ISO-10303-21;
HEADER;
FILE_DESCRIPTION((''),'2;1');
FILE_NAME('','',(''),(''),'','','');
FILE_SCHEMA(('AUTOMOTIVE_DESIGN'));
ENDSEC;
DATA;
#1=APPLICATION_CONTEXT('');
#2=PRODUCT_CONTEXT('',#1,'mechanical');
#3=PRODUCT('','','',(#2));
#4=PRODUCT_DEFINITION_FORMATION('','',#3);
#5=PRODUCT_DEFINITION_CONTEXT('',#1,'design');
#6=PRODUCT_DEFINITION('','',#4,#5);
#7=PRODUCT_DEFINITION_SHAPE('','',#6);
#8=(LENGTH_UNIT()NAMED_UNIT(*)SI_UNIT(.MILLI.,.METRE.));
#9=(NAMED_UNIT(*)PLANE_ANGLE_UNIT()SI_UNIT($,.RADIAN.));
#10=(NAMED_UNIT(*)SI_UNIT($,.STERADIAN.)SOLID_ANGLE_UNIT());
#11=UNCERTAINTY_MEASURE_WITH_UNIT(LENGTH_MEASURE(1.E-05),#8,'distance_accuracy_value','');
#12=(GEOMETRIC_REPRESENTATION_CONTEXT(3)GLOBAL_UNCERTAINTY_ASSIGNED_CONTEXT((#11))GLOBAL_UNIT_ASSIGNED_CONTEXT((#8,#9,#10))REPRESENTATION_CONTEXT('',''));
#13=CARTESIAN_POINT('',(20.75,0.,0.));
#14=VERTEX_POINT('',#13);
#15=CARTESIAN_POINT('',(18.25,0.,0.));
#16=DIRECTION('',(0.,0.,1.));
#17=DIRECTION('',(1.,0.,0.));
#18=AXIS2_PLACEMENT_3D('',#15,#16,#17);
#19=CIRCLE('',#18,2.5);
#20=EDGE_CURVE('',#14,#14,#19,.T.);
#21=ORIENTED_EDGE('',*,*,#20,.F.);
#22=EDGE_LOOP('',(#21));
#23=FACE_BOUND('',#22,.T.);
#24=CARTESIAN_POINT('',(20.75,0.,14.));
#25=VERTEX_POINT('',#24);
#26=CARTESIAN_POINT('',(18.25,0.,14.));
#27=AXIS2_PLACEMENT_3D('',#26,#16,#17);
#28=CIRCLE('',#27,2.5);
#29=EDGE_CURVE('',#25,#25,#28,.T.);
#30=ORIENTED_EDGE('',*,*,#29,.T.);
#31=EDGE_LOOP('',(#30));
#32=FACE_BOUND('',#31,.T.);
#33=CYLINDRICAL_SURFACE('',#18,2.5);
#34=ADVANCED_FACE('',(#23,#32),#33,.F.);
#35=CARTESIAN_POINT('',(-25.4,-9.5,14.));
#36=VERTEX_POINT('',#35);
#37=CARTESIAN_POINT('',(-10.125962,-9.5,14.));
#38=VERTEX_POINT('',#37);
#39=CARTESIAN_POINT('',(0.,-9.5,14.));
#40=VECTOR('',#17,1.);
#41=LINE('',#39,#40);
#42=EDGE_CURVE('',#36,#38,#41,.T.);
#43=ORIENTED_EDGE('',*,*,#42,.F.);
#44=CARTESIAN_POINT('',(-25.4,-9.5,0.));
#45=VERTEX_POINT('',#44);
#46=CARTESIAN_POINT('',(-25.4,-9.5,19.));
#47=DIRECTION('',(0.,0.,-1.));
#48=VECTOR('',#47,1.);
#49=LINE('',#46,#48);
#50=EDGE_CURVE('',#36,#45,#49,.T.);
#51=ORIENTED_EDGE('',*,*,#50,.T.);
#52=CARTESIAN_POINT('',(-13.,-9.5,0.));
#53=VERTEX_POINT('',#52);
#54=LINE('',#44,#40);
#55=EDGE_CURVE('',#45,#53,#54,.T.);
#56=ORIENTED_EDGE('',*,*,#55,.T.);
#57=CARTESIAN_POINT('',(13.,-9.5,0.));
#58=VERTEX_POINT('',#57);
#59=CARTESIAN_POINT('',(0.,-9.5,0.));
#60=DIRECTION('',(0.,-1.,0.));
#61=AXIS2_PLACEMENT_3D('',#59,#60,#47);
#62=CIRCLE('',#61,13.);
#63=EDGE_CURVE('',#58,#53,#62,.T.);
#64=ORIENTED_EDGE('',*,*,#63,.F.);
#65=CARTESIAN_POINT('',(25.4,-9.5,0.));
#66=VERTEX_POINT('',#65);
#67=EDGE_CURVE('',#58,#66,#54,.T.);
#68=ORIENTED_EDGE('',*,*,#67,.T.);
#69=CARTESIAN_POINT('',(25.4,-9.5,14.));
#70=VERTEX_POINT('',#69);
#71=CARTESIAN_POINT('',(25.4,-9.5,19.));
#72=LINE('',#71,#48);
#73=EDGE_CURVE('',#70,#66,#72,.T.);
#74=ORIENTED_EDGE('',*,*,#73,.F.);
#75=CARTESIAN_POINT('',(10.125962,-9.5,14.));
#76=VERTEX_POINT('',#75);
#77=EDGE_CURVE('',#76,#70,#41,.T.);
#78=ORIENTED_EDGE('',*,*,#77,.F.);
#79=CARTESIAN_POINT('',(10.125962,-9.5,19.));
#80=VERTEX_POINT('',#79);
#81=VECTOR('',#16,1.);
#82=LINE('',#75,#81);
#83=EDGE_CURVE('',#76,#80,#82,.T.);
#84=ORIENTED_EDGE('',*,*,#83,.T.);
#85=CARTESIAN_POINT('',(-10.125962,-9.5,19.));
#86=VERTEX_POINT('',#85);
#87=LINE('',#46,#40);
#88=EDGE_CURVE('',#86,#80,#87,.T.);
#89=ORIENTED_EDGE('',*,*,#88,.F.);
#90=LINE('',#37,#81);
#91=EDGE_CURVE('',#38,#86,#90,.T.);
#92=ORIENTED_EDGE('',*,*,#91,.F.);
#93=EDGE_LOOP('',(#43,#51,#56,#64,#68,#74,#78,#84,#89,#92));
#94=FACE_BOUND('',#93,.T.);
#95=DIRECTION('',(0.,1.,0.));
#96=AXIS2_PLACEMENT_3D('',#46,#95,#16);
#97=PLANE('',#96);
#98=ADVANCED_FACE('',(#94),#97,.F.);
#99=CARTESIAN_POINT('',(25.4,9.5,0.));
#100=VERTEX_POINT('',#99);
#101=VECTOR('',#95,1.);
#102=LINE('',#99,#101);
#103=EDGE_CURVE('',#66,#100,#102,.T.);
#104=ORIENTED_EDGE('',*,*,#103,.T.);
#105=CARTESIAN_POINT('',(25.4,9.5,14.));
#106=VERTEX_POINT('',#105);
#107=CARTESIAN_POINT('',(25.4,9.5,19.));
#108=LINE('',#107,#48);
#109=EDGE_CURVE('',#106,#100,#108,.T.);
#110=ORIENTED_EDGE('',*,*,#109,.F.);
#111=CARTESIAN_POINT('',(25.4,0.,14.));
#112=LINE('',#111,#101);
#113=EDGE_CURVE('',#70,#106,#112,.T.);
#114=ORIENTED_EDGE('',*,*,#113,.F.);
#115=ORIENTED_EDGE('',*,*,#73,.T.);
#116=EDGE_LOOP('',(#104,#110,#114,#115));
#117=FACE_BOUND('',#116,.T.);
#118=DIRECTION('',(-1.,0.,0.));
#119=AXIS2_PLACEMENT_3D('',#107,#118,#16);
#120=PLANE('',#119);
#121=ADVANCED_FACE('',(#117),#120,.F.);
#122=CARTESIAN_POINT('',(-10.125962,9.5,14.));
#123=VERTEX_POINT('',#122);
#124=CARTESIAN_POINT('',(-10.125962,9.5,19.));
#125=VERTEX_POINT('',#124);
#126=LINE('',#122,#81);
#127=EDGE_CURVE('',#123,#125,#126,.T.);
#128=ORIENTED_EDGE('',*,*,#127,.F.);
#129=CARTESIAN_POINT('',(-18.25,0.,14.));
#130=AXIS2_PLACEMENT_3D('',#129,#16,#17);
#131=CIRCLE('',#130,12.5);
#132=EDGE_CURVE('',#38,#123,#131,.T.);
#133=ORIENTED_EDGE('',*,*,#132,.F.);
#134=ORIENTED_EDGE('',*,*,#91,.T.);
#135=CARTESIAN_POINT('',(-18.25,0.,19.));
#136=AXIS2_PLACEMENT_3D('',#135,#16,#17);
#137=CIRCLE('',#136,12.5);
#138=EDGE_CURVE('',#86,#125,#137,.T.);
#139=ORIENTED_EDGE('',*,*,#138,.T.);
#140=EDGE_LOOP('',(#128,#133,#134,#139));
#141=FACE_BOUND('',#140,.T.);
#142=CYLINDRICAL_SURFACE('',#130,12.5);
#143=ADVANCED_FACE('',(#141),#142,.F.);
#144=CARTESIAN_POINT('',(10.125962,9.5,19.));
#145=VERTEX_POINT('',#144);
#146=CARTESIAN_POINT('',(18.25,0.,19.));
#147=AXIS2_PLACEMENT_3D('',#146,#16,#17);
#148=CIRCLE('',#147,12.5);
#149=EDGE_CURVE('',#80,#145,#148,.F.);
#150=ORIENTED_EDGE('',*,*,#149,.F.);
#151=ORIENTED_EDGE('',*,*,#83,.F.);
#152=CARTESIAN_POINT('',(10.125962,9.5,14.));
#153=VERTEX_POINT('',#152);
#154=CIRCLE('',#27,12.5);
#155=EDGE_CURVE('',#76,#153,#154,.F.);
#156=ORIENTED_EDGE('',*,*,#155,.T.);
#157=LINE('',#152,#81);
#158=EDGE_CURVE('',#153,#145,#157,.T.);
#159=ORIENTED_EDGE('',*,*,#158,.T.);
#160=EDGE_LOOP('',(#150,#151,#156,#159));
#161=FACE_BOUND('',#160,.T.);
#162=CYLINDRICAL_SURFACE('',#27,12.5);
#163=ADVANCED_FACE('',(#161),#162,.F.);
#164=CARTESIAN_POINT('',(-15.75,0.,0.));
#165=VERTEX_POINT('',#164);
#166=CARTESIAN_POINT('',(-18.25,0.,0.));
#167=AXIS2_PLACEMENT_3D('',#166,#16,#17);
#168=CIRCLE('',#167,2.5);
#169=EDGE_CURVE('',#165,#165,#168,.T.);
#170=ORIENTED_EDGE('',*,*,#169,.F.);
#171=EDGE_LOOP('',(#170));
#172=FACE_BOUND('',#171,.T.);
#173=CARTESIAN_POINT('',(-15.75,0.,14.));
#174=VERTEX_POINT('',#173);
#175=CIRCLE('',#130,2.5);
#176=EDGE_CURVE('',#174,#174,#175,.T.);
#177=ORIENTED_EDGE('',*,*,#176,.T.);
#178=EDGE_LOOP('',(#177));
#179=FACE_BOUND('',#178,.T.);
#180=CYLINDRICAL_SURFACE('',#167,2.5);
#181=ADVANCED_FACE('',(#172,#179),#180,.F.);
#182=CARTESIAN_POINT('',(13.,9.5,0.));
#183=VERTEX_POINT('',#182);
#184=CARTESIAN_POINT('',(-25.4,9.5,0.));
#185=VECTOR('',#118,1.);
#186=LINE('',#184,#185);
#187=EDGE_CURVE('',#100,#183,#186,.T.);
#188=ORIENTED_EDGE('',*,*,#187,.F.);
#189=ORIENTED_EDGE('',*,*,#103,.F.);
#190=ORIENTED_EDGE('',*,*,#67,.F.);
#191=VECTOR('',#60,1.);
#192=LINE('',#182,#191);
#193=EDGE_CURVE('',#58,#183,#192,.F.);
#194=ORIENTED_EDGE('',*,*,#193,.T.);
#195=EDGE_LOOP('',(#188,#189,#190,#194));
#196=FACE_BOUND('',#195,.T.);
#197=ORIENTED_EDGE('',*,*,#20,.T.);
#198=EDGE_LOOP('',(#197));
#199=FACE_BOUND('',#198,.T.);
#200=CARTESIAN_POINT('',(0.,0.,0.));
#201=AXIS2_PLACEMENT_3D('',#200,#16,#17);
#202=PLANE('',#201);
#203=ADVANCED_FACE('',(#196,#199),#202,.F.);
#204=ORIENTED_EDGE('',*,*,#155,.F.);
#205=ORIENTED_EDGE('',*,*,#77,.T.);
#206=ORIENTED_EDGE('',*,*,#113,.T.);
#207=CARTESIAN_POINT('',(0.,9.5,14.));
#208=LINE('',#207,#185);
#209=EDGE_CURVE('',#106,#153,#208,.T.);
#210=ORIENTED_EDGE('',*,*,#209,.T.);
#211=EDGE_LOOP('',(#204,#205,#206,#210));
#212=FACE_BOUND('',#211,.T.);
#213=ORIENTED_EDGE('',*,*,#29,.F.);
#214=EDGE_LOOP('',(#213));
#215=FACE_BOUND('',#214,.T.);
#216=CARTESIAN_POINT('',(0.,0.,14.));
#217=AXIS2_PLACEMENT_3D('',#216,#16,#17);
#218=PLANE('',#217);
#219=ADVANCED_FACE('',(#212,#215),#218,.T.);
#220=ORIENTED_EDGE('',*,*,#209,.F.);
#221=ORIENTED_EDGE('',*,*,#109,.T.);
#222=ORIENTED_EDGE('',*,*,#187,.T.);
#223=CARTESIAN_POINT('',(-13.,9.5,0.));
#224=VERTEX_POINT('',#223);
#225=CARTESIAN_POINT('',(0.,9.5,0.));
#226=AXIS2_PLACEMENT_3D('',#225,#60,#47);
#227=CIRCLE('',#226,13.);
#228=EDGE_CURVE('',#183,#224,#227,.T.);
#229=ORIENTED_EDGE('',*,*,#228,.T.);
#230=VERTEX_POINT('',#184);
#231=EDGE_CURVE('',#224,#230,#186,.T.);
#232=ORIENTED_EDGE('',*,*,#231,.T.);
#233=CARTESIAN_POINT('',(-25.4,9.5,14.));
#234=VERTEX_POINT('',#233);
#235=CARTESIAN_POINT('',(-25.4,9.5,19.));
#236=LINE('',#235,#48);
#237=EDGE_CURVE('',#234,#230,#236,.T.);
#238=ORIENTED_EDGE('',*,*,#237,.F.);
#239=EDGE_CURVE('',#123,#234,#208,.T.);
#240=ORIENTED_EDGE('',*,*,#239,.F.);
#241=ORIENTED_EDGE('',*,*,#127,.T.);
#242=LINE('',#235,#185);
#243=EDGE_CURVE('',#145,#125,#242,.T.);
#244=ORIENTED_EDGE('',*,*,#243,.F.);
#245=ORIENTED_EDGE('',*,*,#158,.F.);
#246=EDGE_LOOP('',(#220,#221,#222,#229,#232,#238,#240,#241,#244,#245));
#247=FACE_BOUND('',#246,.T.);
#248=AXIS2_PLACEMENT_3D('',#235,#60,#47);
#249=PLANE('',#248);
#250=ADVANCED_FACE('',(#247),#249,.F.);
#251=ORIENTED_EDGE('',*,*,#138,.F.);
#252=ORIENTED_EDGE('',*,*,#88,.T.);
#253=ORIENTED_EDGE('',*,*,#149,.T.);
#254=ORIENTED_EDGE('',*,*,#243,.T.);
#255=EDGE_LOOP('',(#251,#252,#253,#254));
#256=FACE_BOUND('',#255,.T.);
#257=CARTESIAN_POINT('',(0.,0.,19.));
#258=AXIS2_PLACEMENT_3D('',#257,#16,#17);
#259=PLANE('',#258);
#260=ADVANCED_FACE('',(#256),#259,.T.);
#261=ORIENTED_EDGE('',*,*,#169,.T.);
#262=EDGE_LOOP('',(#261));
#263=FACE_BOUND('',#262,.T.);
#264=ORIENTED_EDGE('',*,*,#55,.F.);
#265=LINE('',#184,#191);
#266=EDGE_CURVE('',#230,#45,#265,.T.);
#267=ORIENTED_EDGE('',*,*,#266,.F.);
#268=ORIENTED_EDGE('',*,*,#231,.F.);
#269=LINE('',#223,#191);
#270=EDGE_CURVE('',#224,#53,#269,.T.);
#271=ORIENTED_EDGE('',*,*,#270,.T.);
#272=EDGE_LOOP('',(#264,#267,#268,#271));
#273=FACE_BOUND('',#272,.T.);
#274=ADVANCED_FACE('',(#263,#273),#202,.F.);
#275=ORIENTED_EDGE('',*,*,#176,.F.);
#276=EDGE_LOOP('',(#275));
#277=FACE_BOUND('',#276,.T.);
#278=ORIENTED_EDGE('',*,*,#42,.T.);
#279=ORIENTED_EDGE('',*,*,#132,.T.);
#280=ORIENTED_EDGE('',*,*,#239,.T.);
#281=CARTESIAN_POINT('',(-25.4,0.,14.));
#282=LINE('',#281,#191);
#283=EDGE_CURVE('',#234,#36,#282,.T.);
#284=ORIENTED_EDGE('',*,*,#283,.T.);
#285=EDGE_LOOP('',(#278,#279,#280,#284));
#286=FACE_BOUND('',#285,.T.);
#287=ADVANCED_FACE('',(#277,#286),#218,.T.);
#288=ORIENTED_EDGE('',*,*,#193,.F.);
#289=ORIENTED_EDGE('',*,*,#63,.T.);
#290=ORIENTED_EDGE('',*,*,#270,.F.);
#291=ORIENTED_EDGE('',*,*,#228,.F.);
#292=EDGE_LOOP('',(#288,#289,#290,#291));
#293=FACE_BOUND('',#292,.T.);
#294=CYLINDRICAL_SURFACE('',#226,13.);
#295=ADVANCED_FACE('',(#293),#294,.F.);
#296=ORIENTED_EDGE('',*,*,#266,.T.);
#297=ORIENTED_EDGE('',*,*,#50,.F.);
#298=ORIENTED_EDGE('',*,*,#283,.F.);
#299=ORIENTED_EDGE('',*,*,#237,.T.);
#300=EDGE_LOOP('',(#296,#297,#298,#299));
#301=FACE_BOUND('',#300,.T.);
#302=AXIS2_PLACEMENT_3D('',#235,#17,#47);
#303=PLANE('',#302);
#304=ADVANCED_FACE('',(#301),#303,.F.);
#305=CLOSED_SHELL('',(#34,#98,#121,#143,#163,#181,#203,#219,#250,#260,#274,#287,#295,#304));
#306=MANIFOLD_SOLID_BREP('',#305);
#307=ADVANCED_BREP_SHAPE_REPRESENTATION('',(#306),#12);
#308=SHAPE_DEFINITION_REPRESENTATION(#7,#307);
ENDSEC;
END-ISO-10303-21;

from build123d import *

# Parameters (mm, degrees)
SKETCH2_W               = 50.8
SKETCH2_H               = 19
BOSS_EXTRUDE1_DEPTH     = 19
SKETCH3_R               = 13
CUT_EXTRUDE1_DEPTH      = 20
SKETCH4_R               = 2.5
CUT_EXTRUDE2_DEPTH      = 5
SKETCH5_R               = 2.5
CUT_EXTRUDE3_DEPTH      = 1
CUT_EXTRUDE3_DEPTH_BACK = 20


with BuildPart() as part:
    # Sketch2 → Boss-Extrude1 (new body)
    with BuildSketch(Plane.XY):
        Rectangle(SKETCH2_W, SKETCH2_H)
    extrude(amount=BOSS_EXTRUDE1_DEPTH)

    # Sketch3 → Cut-Extrude1 (cut, through all)
    with BuildSketch(Plane.XZ.offset(9.5)):
        Circle(SKETCH3_R)
    extrude(amount=-CUT_EXTRUDE1_DEPTH, mode=Mode.SUBTRACT)

    # Sketch4 → Cut-Extrude2 (cut)
    with BuildSketch(Plane.XY.offset(19)):
        with BuildLine():
            ThreePointArc((-10.125961595, -9.5), (-6.896575846, -5.229699797), (-5.75, 0))
            ThreePointArc((-5.75, 0), (-6.896575846, 5.229699797), (-10.125961595, 9.5))
            Line((-10.125961595, 9.5), (-25.4, 9.5))
            Line((-25.4, 9.5), (-25.4, -9.5))
            Line((-25.4, -9.5), (-10.125961595, -9.5))
        make_face()
        with Locations((-18.25, 0)):
            Circle(SKETCH4_R, mode=Mode.SUBTRACT)
        with BuildLine():
            Line((25.4, 9.5), (10.125961595, 9.5))
            ThreePointArc((10.125961595, 9.5), (5.75, 0), (10.125961595, -9.5))
            Line((10.125961595, -9.5), (25.4, -9.5))
            Line((25.4, -9.5), (25.4, 9.5))
        make_face()
        with Locations((18.25, 0)):
            Circle(SKETCH4_R, mode=Mode.SUBTRACT)
    extrude(amount=-CUT_EXTRUDE2_DEPTH, mode=Mode.SUBTRACT)

    # Sketch5 → Cut-Extrude3 (cut, two sides)
    with BuildSketch(Plane.XY.offset(19)) as cut_extrude3_sk:
        with Locations((18.25, 0)):
            Circle(SKETCH5_R)
        with Locations((-18.25, 0)):
            Circle(SKETCH5_R)
    extrude(amount=CUT_EXTRUDE3_DEPTH, mode=Mode.SUBTRACT)
    extrude(cut_extrude3_sk.sketch, amount=-CUT_EXTRUDE3_DEPTH_BACK, mode=Mode.SUBTRACT)


solid = part.part
